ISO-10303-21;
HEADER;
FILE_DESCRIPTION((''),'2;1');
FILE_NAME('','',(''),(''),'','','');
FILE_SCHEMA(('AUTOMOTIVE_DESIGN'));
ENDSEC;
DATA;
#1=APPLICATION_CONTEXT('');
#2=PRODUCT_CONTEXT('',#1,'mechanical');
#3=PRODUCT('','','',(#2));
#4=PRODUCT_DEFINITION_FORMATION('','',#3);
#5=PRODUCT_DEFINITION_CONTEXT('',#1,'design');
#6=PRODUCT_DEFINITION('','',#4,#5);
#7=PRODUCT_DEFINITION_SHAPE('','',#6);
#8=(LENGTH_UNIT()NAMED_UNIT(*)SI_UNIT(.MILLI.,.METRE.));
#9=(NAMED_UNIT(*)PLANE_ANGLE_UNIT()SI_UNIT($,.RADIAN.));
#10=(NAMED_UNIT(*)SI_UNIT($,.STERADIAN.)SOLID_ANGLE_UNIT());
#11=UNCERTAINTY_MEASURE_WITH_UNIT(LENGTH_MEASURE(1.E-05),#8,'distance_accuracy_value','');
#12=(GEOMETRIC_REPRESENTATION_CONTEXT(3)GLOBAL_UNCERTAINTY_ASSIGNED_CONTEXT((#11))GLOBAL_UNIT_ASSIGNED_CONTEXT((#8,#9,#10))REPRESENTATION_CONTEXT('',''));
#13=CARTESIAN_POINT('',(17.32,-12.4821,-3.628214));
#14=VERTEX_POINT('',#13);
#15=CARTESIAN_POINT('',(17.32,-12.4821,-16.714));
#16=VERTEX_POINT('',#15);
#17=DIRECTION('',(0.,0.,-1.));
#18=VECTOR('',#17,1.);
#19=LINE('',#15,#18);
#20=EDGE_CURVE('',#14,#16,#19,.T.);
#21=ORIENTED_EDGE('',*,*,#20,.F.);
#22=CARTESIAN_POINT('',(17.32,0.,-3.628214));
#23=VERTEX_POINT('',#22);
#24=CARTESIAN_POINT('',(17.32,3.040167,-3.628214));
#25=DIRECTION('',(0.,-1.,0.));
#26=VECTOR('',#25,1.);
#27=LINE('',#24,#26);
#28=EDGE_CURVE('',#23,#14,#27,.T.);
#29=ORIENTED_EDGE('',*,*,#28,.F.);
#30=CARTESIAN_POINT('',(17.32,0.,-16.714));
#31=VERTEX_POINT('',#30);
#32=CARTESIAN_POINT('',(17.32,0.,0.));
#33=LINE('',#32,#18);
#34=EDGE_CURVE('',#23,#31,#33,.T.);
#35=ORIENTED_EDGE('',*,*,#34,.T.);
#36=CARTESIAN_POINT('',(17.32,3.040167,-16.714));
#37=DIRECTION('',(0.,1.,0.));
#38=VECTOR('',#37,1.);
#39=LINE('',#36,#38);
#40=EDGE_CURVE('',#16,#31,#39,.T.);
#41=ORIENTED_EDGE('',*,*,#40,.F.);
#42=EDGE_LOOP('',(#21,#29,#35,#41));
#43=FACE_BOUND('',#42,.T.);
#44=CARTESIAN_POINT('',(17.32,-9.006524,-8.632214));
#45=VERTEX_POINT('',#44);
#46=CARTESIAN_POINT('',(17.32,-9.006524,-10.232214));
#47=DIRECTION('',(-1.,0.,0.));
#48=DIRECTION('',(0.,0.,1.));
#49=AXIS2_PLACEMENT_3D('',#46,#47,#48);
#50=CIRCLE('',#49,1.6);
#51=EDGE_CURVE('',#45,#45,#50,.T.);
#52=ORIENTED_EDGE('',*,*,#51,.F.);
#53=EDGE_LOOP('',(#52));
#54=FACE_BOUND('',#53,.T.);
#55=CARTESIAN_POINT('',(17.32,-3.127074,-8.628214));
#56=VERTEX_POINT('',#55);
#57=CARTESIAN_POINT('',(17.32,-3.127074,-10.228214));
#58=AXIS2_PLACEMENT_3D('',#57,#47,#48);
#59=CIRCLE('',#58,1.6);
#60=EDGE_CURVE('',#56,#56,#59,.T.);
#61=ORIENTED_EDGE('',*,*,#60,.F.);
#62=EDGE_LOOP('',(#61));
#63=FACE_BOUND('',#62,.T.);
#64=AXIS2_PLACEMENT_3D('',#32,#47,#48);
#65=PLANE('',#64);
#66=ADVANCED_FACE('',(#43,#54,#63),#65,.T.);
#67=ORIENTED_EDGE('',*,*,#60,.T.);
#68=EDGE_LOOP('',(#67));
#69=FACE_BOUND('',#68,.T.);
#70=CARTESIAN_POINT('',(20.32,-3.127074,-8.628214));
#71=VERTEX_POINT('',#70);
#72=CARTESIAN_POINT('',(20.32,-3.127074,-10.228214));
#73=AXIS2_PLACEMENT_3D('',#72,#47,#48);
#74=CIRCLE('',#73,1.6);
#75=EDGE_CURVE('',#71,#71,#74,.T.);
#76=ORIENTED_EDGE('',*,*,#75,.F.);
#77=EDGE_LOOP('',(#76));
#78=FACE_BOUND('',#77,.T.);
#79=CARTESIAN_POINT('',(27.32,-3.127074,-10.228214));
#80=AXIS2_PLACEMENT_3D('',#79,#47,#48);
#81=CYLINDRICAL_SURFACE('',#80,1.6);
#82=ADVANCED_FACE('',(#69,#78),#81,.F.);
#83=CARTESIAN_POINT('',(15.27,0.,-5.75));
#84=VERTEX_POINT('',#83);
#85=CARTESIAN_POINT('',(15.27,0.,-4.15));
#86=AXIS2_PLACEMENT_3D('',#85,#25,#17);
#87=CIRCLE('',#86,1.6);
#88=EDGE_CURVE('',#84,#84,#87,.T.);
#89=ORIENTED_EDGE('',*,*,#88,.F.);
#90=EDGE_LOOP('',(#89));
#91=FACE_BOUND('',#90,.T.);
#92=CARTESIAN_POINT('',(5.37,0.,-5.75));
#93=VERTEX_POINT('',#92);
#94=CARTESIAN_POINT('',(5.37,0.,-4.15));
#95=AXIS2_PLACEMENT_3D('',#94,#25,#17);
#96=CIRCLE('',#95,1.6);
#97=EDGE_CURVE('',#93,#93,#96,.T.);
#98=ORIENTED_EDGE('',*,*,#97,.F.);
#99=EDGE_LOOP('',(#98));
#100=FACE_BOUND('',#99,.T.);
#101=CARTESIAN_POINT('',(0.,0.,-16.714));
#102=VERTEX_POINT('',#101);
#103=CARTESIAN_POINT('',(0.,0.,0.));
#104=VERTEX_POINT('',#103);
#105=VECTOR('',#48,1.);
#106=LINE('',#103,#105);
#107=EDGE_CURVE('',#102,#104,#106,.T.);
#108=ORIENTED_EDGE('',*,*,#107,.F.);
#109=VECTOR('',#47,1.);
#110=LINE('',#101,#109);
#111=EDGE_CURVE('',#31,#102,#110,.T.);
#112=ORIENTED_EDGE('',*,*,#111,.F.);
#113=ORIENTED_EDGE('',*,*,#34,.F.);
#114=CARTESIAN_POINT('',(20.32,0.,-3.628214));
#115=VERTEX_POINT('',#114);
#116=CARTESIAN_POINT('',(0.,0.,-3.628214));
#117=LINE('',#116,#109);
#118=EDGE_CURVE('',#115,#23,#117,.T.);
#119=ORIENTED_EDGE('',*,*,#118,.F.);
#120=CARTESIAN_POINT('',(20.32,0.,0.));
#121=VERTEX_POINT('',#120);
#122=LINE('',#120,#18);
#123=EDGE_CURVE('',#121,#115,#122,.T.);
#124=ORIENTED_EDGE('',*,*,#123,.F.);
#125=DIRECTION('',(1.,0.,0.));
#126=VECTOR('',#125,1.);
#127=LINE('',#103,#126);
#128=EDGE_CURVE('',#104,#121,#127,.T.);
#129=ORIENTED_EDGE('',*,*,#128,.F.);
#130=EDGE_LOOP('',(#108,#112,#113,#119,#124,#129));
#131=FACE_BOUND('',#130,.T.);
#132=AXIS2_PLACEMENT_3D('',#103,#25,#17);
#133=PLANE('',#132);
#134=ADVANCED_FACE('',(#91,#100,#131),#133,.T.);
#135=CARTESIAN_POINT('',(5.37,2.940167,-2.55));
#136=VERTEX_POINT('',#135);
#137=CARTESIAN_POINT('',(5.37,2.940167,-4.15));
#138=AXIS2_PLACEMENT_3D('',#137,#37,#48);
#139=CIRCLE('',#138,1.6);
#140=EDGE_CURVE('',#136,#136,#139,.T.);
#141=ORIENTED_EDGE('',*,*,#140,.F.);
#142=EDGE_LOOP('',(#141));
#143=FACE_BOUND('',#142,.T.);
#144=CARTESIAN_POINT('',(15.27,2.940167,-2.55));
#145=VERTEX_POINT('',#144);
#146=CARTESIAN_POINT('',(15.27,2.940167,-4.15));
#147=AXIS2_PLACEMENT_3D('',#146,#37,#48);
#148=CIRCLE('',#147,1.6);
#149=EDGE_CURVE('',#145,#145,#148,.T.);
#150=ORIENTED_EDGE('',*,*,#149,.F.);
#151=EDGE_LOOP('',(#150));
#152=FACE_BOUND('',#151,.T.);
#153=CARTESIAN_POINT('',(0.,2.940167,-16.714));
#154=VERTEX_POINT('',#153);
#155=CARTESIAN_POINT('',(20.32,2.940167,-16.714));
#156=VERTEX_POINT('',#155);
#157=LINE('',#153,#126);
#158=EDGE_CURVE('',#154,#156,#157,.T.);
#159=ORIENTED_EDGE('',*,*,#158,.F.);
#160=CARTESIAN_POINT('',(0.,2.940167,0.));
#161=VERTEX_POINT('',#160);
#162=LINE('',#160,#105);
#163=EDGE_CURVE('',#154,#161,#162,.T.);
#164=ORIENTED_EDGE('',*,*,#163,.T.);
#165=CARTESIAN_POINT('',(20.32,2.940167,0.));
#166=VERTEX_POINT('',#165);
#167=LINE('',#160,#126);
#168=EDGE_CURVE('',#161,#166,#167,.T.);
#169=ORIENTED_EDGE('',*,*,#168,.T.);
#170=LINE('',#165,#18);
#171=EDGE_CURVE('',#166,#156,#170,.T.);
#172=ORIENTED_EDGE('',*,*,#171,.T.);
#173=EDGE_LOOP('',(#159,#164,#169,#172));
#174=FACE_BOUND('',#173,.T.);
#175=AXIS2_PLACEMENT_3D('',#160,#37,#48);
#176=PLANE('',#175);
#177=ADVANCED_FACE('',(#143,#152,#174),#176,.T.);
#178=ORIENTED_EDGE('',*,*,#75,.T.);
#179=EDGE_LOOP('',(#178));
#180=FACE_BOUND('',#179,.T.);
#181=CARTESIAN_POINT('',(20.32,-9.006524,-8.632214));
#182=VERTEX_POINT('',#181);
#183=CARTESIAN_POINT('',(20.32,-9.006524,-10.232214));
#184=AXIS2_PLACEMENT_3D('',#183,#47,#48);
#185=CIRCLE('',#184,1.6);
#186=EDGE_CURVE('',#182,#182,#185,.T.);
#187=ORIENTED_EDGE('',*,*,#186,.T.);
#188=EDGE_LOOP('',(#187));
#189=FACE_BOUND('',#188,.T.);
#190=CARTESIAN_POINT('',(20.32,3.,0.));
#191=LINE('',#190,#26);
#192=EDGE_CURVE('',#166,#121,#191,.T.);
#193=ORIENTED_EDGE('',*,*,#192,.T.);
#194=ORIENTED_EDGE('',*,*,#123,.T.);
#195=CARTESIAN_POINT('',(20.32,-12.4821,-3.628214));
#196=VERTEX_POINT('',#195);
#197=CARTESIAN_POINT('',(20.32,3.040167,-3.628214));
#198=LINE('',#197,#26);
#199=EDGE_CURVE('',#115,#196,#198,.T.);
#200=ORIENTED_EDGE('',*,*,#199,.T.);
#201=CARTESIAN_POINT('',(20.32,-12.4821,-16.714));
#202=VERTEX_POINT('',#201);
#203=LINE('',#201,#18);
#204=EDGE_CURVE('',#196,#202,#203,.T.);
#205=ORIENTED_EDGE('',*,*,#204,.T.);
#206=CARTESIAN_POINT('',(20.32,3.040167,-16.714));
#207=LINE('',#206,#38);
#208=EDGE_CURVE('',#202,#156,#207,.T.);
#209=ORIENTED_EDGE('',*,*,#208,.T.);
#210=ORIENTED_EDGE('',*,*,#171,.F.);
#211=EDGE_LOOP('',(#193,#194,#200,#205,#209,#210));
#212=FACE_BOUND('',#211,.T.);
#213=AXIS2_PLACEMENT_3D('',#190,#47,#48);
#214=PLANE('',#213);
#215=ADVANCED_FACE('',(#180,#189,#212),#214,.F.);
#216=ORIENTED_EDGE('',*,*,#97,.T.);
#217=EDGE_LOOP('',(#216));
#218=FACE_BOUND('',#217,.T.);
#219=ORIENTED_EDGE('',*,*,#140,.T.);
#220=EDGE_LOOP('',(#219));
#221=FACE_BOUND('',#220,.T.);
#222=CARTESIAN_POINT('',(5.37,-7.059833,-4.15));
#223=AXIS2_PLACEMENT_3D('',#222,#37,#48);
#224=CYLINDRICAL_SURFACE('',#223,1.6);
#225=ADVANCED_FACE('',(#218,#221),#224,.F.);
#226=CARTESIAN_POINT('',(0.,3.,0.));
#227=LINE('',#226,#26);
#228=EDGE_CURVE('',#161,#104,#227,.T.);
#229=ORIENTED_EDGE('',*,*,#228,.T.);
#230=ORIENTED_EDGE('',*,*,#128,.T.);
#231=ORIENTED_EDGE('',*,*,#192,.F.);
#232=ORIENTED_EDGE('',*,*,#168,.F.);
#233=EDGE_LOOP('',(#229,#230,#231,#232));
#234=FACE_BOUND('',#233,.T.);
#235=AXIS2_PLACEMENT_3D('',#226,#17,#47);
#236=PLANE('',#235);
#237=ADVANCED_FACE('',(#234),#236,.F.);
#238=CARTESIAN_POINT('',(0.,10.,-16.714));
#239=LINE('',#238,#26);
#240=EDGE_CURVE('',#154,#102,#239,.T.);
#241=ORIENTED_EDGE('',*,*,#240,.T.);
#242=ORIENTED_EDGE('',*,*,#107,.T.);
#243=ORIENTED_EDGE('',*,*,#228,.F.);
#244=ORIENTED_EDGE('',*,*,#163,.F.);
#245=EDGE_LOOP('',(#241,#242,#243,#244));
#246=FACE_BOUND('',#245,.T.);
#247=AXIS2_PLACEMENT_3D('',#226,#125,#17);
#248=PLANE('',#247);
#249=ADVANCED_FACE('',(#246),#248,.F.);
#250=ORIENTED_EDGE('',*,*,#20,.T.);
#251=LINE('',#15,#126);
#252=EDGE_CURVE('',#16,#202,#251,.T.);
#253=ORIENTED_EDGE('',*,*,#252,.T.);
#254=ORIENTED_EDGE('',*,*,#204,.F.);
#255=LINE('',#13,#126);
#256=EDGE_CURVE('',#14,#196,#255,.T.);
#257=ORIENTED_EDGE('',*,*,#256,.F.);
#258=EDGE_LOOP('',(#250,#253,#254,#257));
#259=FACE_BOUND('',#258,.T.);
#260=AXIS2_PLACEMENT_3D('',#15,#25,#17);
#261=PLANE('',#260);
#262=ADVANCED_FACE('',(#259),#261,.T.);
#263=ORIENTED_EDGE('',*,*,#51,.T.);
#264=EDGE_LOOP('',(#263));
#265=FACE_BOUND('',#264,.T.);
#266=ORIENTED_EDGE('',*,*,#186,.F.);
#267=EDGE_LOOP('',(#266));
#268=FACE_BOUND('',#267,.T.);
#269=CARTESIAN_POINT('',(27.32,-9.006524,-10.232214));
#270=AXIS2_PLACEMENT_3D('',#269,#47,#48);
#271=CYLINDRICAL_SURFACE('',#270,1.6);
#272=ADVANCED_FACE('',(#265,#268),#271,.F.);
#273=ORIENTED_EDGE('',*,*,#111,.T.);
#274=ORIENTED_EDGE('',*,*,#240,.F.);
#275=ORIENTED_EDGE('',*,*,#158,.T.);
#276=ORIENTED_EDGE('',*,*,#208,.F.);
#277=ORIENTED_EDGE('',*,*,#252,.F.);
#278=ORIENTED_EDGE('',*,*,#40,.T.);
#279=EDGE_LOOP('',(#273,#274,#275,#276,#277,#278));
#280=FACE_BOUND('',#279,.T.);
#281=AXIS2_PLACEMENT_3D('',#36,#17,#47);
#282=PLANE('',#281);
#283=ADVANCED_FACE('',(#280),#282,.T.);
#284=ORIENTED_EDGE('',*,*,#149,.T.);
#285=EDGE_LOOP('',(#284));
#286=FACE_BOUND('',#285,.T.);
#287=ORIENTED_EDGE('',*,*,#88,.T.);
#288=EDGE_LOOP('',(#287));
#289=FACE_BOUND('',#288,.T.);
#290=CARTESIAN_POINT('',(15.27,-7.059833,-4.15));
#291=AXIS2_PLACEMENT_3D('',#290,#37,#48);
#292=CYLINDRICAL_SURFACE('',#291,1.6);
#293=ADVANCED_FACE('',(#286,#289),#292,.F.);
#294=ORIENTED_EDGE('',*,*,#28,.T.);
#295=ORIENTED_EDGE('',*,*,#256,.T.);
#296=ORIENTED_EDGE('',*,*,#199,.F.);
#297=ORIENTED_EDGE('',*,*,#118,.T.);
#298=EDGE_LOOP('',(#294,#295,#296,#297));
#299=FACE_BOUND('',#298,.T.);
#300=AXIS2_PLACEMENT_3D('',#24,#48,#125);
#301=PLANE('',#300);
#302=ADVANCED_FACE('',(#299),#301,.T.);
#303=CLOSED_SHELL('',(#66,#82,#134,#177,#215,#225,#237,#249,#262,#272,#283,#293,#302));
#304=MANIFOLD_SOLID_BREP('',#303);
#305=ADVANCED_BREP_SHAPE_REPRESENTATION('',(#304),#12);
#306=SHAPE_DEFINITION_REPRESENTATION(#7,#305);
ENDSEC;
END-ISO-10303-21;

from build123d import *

# Parameters (mm, degrees)
SKETCH1_W           = 20.32
SKETCH1_H           = 20.32
BOSS_EXTRUDE1_DEPTH = 3
SKETCH2_W           = 13.085786438
SKETCH2_H           = 15.522266203
BOSS_EXTRUDE2_DEPTH = 3
SKETCH5_W           = 31.587668609
SKETCH5_H           = 25.562972936
CUT_EXTRUDE1_DEPTH  = 0.1
SKETCH6_W           = 20.32
SKETCH6_H           = 3.606
CUT_EXTRUDE2_DEPTH  = 10
SKETCH7_R           = 1.6
CUT_EXTRUDE3_DEPTH  = 10
SKETCH8_R           = 1.6
CUT_EXTRUDE4_DEPTH  = 10


with BuildPart() as part:
    # Sketch1 → Boss-Extrude1 (new body)
    with BuildSketch(Plane(origin=(0, 0, 0), x_dir=(1, 0, 0), z_dir=(0, 1, 0))):
        with Locations((10.16, 10.16)):
            Rectangle(SKETCH1_W, SKETCH1_H)
    extrude(amount=BOSS_EXTRUDE1_DEPTH)

    # Sketch2 → Boss-Extrude2 (add)
    with BuildSketch(Plane(origin=(20.32, 0, 0), x_dir=(0, 0, -1), z_dir=(1, 0, 0))):
        with Locations((10.171106781, -4.720966496)):
            Rectangle(SKETCH2_W, SKETCH2_H)
    extrude(amount=-BOSS_EXTRUDE2_DEPTH)

    # Sketch5 → Cut-Extrude1 (cut)
    with BuildSketch(Plane(origin=(0, 3.040166606, 0), x_dir=(1, 0, 0), z_dir=(0, 1, 0))):
        with Locations((13.28189867, 9.26803237)):
            Rectangle(SKETCH5_W, SKETCH5_H)
    extrude(amount=-CUT_EXTRUDE1_DEPTH, mode=Mode.SUBTRACT)

    # Sketch6 → Cut-Extrude2 (cut)
    with BuildSketch(Plane(origin=(0, 0, 0), x_dir=(-1, 0, 0), z_dir=(0, -1, 0))):
        with Locations((-10.16, 18.517)):
            Rectangle(SKETCH6_W, SKETCH6_H)
    extrude(amount=-CUT_EXTRUDE2_DEPTH, mode=Mode.SUBTRACT)

    # Sketch7 → Cut-Extrude3 (cut)
    with BuildSketch(Plane(origin=(0, 2.940166606, 0), x_dir=(1, 0, 0), z_dir=(0, 1, 0))):
        with Locations(Location((5.37, 4.15, 0), (0, 0, 270))):
            Circle(SKETCH7_R)
        with Locations(Location((15.27, 4.15, 0), (0, 0, 270))):
            Circle(SKETCH7_R)
    extrude(amount=-CUT_EXTRUDE3_DEPTH, mode=Mode.SUBTRACT)

    # Sketch8 → Cut-Extrude4 (cut)
    with BuildSketch(Plane.ZY.offset(-17.32)):
        with Locations((-10.232213562, -9.006524303)):
            Circle(SKETCH8_R)
        with Locations((-10.228213562, -3.127074003)):
            Circle(SKETCH8_R)
    extrude(amount=-CUT_EXTRUDE4_DEPTH, mode=Mode.SUBTRACT)


solid = part.part
